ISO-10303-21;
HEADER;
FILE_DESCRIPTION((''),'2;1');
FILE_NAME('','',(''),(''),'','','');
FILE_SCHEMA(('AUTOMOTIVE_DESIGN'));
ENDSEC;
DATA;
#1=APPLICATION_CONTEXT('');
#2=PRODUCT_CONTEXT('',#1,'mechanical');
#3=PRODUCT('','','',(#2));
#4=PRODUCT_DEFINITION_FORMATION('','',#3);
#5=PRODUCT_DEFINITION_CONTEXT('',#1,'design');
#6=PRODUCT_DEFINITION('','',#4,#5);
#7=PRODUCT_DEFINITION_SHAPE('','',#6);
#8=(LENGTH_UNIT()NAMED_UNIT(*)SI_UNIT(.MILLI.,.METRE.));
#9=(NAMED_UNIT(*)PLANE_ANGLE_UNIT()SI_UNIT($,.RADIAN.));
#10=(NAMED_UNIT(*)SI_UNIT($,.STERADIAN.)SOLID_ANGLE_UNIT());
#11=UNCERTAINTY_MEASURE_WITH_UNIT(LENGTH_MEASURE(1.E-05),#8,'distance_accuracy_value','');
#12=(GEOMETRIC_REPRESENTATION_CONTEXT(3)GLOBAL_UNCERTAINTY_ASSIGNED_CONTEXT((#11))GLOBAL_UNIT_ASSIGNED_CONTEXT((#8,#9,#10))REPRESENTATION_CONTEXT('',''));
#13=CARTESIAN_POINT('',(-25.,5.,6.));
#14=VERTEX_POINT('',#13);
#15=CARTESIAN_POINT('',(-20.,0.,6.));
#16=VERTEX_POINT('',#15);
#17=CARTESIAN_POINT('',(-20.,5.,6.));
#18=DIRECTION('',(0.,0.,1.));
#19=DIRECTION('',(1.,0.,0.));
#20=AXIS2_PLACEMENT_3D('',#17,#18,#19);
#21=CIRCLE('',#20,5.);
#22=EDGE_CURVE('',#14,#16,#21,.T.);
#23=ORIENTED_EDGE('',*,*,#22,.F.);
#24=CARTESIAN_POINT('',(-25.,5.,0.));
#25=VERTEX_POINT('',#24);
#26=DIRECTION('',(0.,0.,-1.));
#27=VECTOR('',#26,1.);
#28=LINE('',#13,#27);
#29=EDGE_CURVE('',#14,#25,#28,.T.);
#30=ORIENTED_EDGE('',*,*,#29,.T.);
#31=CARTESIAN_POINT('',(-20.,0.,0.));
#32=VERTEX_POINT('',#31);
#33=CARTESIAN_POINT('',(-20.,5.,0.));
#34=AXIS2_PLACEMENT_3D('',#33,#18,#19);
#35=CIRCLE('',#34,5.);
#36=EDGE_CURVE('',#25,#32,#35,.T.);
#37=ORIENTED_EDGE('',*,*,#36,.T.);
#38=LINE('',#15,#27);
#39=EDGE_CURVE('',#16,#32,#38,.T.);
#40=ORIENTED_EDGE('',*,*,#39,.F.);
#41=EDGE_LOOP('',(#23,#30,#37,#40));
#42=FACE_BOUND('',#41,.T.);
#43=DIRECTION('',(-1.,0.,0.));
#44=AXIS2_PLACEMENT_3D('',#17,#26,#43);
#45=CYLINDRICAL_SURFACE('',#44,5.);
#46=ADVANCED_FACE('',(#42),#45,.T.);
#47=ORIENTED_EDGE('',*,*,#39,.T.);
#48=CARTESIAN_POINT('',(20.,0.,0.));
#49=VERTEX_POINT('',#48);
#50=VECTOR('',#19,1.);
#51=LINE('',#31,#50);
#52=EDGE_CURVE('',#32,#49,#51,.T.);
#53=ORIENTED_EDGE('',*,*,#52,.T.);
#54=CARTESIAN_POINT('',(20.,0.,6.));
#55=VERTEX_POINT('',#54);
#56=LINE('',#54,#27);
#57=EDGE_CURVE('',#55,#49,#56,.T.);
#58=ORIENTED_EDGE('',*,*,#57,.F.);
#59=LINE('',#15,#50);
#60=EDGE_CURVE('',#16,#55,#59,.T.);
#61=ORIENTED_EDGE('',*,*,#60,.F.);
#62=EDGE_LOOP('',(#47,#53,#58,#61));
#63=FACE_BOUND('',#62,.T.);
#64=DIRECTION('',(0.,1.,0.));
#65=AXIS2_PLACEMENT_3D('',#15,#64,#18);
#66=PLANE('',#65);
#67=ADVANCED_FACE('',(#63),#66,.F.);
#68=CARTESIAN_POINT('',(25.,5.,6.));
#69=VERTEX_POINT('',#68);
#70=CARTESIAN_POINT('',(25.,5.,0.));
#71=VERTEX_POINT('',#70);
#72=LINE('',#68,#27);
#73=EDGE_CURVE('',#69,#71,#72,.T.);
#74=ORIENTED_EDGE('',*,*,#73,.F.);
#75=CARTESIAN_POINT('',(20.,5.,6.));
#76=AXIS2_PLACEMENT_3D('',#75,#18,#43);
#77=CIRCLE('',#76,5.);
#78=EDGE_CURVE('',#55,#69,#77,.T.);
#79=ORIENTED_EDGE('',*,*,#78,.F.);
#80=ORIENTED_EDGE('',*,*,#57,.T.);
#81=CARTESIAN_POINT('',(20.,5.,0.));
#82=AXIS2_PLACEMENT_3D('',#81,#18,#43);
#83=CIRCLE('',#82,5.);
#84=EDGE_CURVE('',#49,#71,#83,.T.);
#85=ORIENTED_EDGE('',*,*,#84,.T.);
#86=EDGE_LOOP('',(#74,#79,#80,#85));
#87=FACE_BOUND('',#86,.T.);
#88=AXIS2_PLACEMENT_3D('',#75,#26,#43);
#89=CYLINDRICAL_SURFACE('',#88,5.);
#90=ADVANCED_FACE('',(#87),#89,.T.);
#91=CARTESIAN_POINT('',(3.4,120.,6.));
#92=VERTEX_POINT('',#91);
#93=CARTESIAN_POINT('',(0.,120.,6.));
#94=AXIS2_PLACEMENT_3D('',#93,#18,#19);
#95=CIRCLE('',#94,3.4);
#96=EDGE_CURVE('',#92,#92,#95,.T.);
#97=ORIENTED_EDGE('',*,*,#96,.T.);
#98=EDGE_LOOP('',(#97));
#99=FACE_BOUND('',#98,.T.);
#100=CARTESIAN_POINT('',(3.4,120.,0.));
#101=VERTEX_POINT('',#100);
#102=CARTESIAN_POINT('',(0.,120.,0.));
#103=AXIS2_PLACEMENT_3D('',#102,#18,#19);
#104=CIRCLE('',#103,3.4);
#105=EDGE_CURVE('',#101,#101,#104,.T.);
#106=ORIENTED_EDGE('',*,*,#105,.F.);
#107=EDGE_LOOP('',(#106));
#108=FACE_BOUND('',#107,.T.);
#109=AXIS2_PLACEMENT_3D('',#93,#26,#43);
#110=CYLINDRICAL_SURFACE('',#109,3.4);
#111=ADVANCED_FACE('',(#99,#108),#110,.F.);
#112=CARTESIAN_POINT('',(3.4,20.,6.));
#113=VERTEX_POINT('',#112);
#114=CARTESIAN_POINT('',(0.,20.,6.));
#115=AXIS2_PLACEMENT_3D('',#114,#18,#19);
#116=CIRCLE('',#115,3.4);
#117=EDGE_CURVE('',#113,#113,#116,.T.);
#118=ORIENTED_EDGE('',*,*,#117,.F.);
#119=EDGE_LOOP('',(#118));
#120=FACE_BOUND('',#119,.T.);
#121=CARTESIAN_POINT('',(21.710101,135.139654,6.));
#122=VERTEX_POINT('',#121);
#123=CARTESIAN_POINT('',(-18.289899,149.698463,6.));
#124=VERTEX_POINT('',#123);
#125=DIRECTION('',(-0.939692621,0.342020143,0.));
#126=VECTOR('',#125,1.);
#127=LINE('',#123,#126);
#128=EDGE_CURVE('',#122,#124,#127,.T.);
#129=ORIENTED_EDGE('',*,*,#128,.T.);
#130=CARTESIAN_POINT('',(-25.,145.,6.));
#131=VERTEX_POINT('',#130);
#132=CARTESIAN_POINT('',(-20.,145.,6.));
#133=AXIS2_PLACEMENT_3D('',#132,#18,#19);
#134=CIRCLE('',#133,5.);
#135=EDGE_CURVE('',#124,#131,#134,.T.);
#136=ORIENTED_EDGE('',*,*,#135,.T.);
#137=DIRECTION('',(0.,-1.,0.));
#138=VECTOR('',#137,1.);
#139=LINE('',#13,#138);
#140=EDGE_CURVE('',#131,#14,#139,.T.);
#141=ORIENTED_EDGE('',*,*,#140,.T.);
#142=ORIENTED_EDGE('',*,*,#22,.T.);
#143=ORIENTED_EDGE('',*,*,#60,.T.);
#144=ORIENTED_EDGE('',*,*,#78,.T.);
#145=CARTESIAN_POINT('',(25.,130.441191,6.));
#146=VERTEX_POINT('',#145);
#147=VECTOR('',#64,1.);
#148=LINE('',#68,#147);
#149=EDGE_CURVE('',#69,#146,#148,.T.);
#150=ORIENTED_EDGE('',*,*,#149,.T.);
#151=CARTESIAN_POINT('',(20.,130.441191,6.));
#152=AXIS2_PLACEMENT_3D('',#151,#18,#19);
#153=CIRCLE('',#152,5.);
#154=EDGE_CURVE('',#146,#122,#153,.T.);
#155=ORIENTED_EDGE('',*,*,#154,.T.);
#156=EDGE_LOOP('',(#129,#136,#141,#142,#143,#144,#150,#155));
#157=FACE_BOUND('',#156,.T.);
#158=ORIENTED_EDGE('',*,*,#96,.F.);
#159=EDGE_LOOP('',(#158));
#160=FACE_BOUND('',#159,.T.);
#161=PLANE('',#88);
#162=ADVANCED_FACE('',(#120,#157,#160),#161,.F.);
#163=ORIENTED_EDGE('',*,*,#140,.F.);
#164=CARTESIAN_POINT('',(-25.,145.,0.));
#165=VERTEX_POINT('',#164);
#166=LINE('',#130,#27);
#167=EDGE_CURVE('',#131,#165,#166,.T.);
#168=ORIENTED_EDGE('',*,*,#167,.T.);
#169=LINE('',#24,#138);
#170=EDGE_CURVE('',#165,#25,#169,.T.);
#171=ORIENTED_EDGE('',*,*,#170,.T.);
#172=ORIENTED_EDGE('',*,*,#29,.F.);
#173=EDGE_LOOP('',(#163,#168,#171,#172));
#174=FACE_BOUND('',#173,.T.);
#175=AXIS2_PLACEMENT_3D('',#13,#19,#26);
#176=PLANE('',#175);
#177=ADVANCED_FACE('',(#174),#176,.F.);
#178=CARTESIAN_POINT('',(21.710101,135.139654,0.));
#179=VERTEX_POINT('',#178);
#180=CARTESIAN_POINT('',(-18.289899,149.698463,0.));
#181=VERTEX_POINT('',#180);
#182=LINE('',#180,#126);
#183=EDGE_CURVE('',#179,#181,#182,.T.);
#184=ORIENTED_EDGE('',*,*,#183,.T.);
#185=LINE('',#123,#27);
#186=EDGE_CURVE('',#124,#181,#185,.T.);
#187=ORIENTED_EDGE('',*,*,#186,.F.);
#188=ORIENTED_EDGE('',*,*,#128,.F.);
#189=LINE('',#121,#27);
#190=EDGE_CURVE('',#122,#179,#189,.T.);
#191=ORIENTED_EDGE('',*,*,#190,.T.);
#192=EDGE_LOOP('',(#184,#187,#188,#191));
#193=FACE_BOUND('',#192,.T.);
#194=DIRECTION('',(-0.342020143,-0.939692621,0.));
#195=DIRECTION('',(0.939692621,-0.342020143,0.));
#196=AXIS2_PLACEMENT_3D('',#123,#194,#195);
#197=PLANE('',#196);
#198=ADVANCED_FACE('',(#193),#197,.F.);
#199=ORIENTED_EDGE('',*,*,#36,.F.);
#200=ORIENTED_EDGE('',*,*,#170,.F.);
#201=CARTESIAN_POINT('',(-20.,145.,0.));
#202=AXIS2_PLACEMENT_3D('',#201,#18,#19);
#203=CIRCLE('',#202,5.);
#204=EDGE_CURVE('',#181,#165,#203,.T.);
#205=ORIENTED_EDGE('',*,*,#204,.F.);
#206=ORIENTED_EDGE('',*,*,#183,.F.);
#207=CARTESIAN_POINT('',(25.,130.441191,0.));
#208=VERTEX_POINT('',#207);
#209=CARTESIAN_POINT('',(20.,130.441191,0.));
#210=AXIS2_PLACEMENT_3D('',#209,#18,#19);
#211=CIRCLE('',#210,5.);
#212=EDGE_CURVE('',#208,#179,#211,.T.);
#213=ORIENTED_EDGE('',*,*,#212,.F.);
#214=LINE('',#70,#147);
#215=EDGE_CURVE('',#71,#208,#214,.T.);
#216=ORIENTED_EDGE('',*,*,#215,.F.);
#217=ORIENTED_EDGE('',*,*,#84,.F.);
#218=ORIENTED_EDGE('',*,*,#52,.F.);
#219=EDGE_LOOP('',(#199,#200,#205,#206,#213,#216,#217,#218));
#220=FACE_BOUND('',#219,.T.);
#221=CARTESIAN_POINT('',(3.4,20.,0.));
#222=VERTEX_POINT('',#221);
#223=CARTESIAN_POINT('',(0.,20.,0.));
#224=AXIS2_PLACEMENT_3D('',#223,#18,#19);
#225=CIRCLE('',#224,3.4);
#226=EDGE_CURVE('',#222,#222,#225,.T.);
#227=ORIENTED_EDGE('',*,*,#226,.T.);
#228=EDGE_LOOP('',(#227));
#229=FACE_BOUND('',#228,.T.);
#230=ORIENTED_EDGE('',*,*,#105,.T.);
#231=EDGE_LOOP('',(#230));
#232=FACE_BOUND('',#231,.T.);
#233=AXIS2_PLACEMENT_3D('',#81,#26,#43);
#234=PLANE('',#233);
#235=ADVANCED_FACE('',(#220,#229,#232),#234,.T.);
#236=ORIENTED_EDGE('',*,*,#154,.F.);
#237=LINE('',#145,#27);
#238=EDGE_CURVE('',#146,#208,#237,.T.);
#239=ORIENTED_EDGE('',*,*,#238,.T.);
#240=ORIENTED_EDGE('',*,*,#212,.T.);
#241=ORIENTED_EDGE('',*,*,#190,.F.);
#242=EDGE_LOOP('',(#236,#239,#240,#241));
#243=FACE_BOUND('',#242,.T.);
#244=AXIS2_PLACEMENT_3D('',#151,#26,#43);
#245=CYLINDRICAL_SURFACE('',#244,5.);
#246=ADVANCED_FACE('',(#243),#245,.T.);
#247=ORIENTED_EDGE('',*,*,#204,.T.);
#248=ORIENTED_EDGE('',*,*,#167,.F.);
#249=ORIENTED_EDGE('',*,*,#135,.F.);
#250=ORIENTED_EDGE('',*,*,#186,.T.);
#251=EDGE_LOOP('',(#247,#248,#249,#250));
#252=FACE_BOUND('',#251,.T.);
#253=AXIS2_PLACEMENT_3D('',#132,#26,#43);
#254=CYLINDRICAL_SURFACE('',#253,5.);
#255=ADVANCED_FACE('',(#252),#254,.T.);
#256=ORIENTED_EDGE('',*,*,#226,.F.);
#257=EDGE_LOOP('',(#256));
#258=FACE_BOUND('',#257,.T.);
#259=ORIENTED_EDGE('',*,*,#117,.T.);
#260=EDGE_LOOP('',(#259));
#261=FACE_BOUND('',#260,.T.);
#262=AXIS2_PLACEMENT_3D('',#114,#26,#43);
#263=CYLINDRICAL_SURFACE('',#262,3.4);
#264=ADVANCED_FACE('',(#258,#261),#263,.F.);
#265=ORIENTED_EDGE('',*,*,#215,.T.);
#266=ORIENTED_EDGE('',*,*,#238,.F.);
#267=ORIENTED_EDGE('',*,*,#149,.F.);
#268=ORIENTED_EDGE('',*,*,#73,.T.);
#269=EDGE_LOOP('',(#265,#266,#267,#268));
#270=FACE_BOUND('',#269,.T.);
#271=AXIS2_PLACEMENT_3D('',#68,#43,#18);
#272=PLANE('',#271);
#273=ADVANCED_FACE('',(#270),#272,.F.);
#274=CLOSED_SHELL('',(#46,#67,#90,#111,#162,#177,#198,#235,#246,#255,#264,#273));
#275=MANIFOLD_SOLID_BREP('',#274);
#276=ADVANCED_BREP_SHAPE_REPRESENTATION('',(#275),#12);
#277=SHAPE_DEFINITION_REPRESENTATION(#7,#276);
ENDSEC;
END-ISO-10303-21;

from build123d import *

# Parameters (mm, degrees)
SKETCH1_R          = 3.4
BASE_EXTRUDE_DEPTH = 6


with BuildPart() as part:
    # Sketch1 → Base-Extrude (new body)
    with BuildSketch(Plane.XY):
        with BuildLine():
            Line((-20, 0), (20, 0))
            ThreePointArc((20, 0), (23.535533906, 1.464466094), (25, 5))
            Line((25, 5), (25, 130.441190629))
            ThreePointArc((25, 130.441190629), (24.095760221, 133.309072811), (21.710100717, 135.139653733))
            Line((21.710100717, 135.139653733), (-18.289899283, 149.698463104))
            ThreePointArc((-18.289899283, 149.698463104), (-22.867882182, 149.095760221), (-25, 145))
            Line((-25, 145), (-25, 5))
            ThreePointArc((-25, 5), (-23.535533906, 1.464466094), (-20, 0))
        make_face()
        with Locations((0, 120)):
            Circle(SKETCH1_R, mode=Mode.SUBTRACT)
        with Locations((0, 20)):
            Circle(SKETCH1_R, mode=Mode.SUBTRACT)
    extrude(amount=BASE_EXTRUDE_DEPTH)


solid = part.part
